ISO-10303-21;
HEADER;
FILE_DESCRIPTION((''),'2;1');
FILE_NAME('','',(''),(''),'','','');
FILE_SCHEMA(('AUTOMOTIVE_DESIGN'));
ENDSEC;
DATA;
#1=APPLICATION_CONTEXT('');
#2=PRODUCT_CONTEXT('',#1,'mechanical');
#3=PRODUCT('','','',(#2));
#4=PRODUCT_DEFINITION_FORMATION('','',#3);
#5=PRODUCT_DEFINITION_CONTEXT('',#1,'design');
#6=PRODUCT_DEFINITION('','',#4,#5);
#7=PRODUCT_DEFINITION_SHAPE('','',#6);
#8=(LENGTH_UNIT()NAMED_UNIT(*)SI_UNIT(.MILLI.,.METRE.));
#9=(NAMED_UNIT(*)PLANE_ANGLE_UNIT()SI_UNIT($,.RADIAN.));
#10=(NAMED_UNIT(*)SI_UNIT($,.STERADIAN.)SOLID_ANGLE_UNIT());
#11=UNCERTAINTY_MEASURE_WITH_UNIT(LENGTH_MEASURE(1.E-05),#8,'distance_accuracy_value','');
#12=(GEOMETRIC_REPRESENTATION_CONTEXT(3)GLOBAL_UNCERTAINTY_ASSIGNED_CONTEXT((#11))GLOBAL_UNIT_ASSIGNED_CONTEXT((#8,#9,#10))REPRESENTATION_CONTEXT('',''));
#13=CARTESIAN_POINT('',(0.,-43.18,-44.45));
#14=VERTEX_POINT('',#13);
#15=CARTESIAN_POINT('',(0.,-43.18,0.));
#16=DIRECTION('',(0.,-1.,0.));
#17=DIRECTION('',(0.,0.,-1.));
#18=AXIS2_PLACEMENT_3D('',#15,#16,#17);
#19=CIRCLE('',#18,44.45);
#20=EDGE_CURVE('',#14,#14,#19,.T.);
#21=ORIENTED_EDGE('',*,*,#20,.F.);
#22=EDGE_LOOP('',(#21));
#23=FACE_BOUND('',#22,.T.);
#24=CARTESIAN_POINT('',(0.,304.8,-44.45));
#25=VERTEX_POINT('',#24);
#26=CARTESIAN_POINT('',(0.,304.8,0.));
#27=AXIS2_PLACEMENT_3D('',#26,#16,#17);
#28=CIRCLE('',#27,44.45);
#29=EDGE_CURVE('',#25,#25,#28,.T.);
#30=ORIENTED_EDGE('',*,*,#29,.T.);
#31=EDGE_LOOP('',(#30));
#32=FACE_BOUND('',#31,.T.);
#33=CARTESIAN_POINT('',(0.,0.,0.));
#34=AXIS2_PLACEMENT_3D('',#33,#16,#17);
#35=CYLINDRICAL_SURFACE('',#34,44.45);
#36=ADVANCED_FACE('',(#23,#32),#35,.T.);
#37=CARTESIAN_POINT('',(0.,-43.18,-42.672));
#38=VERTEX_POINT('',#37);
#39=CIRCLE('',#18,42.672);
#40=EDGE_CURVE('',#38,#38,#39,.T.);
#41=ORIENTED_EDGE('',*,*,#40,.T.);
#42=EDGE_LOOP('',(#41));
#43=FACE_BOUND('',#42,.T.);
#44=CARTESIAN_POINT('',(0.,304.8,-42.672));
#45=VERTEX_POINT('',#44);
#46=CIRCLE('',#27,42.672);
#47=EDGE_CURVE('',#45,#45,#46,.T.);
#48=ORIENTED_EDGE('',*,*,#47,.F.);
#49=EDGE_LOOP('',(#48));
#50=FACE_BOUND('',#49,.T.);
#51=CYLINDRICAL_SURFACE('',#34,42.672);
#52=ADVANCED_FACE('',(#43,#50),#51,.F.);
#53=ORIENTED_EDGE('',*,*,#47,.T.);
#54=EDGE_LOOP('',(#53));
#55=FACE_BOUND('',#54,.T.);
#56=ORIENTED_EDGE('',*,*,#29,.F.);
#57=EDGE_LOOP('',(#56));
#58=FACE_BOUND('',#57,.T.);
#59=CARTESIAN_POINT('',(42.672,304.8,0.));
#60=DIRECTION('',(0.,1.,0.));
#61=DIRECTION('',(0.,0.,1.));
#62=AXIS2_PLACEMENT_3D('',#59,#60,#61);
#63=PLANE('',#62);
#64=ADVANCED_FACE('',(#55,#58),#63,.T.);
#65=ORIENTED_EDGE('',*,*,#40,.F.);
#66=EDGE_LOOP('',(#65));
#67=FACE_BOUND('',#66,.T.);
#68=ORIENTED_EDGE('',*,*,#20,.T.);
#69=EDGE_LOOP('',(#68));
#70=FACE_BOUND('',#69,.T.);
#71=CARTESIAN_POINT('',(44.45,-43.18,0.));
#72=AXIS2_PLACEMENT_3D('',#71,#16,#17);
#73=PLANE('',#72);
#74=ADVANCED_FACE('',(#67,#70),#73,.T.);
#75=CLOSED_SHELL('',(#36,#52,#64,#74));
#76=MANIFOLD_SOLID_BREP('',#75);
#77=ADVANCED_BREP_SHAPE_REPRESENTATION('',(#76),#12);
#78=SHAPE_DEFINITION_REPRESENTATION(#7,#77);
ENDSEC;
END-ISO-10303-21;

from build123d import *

# Parameters (mm, degrees)
SKETCH1_W = 1.778
SKETCH1_H = 347.98


with BuildPart() as part:
    # Sketch1 → Revolve1 (revolve)
    with BuildSketch(Plane.XY, mode=Mode.PRIVATE) as revolve1_sk:
        with Locations((43.561, 130.81)):
            Rectangle(SKETCH1_W, SKETCH1_H)
    revolve(revolve1_sk.sketch.rotate(Axis((0, 0, 0), (0, 1, 0)), 90), axis=Axis((0, 0, 0), (0, 1, 0)))


solid = part.part
